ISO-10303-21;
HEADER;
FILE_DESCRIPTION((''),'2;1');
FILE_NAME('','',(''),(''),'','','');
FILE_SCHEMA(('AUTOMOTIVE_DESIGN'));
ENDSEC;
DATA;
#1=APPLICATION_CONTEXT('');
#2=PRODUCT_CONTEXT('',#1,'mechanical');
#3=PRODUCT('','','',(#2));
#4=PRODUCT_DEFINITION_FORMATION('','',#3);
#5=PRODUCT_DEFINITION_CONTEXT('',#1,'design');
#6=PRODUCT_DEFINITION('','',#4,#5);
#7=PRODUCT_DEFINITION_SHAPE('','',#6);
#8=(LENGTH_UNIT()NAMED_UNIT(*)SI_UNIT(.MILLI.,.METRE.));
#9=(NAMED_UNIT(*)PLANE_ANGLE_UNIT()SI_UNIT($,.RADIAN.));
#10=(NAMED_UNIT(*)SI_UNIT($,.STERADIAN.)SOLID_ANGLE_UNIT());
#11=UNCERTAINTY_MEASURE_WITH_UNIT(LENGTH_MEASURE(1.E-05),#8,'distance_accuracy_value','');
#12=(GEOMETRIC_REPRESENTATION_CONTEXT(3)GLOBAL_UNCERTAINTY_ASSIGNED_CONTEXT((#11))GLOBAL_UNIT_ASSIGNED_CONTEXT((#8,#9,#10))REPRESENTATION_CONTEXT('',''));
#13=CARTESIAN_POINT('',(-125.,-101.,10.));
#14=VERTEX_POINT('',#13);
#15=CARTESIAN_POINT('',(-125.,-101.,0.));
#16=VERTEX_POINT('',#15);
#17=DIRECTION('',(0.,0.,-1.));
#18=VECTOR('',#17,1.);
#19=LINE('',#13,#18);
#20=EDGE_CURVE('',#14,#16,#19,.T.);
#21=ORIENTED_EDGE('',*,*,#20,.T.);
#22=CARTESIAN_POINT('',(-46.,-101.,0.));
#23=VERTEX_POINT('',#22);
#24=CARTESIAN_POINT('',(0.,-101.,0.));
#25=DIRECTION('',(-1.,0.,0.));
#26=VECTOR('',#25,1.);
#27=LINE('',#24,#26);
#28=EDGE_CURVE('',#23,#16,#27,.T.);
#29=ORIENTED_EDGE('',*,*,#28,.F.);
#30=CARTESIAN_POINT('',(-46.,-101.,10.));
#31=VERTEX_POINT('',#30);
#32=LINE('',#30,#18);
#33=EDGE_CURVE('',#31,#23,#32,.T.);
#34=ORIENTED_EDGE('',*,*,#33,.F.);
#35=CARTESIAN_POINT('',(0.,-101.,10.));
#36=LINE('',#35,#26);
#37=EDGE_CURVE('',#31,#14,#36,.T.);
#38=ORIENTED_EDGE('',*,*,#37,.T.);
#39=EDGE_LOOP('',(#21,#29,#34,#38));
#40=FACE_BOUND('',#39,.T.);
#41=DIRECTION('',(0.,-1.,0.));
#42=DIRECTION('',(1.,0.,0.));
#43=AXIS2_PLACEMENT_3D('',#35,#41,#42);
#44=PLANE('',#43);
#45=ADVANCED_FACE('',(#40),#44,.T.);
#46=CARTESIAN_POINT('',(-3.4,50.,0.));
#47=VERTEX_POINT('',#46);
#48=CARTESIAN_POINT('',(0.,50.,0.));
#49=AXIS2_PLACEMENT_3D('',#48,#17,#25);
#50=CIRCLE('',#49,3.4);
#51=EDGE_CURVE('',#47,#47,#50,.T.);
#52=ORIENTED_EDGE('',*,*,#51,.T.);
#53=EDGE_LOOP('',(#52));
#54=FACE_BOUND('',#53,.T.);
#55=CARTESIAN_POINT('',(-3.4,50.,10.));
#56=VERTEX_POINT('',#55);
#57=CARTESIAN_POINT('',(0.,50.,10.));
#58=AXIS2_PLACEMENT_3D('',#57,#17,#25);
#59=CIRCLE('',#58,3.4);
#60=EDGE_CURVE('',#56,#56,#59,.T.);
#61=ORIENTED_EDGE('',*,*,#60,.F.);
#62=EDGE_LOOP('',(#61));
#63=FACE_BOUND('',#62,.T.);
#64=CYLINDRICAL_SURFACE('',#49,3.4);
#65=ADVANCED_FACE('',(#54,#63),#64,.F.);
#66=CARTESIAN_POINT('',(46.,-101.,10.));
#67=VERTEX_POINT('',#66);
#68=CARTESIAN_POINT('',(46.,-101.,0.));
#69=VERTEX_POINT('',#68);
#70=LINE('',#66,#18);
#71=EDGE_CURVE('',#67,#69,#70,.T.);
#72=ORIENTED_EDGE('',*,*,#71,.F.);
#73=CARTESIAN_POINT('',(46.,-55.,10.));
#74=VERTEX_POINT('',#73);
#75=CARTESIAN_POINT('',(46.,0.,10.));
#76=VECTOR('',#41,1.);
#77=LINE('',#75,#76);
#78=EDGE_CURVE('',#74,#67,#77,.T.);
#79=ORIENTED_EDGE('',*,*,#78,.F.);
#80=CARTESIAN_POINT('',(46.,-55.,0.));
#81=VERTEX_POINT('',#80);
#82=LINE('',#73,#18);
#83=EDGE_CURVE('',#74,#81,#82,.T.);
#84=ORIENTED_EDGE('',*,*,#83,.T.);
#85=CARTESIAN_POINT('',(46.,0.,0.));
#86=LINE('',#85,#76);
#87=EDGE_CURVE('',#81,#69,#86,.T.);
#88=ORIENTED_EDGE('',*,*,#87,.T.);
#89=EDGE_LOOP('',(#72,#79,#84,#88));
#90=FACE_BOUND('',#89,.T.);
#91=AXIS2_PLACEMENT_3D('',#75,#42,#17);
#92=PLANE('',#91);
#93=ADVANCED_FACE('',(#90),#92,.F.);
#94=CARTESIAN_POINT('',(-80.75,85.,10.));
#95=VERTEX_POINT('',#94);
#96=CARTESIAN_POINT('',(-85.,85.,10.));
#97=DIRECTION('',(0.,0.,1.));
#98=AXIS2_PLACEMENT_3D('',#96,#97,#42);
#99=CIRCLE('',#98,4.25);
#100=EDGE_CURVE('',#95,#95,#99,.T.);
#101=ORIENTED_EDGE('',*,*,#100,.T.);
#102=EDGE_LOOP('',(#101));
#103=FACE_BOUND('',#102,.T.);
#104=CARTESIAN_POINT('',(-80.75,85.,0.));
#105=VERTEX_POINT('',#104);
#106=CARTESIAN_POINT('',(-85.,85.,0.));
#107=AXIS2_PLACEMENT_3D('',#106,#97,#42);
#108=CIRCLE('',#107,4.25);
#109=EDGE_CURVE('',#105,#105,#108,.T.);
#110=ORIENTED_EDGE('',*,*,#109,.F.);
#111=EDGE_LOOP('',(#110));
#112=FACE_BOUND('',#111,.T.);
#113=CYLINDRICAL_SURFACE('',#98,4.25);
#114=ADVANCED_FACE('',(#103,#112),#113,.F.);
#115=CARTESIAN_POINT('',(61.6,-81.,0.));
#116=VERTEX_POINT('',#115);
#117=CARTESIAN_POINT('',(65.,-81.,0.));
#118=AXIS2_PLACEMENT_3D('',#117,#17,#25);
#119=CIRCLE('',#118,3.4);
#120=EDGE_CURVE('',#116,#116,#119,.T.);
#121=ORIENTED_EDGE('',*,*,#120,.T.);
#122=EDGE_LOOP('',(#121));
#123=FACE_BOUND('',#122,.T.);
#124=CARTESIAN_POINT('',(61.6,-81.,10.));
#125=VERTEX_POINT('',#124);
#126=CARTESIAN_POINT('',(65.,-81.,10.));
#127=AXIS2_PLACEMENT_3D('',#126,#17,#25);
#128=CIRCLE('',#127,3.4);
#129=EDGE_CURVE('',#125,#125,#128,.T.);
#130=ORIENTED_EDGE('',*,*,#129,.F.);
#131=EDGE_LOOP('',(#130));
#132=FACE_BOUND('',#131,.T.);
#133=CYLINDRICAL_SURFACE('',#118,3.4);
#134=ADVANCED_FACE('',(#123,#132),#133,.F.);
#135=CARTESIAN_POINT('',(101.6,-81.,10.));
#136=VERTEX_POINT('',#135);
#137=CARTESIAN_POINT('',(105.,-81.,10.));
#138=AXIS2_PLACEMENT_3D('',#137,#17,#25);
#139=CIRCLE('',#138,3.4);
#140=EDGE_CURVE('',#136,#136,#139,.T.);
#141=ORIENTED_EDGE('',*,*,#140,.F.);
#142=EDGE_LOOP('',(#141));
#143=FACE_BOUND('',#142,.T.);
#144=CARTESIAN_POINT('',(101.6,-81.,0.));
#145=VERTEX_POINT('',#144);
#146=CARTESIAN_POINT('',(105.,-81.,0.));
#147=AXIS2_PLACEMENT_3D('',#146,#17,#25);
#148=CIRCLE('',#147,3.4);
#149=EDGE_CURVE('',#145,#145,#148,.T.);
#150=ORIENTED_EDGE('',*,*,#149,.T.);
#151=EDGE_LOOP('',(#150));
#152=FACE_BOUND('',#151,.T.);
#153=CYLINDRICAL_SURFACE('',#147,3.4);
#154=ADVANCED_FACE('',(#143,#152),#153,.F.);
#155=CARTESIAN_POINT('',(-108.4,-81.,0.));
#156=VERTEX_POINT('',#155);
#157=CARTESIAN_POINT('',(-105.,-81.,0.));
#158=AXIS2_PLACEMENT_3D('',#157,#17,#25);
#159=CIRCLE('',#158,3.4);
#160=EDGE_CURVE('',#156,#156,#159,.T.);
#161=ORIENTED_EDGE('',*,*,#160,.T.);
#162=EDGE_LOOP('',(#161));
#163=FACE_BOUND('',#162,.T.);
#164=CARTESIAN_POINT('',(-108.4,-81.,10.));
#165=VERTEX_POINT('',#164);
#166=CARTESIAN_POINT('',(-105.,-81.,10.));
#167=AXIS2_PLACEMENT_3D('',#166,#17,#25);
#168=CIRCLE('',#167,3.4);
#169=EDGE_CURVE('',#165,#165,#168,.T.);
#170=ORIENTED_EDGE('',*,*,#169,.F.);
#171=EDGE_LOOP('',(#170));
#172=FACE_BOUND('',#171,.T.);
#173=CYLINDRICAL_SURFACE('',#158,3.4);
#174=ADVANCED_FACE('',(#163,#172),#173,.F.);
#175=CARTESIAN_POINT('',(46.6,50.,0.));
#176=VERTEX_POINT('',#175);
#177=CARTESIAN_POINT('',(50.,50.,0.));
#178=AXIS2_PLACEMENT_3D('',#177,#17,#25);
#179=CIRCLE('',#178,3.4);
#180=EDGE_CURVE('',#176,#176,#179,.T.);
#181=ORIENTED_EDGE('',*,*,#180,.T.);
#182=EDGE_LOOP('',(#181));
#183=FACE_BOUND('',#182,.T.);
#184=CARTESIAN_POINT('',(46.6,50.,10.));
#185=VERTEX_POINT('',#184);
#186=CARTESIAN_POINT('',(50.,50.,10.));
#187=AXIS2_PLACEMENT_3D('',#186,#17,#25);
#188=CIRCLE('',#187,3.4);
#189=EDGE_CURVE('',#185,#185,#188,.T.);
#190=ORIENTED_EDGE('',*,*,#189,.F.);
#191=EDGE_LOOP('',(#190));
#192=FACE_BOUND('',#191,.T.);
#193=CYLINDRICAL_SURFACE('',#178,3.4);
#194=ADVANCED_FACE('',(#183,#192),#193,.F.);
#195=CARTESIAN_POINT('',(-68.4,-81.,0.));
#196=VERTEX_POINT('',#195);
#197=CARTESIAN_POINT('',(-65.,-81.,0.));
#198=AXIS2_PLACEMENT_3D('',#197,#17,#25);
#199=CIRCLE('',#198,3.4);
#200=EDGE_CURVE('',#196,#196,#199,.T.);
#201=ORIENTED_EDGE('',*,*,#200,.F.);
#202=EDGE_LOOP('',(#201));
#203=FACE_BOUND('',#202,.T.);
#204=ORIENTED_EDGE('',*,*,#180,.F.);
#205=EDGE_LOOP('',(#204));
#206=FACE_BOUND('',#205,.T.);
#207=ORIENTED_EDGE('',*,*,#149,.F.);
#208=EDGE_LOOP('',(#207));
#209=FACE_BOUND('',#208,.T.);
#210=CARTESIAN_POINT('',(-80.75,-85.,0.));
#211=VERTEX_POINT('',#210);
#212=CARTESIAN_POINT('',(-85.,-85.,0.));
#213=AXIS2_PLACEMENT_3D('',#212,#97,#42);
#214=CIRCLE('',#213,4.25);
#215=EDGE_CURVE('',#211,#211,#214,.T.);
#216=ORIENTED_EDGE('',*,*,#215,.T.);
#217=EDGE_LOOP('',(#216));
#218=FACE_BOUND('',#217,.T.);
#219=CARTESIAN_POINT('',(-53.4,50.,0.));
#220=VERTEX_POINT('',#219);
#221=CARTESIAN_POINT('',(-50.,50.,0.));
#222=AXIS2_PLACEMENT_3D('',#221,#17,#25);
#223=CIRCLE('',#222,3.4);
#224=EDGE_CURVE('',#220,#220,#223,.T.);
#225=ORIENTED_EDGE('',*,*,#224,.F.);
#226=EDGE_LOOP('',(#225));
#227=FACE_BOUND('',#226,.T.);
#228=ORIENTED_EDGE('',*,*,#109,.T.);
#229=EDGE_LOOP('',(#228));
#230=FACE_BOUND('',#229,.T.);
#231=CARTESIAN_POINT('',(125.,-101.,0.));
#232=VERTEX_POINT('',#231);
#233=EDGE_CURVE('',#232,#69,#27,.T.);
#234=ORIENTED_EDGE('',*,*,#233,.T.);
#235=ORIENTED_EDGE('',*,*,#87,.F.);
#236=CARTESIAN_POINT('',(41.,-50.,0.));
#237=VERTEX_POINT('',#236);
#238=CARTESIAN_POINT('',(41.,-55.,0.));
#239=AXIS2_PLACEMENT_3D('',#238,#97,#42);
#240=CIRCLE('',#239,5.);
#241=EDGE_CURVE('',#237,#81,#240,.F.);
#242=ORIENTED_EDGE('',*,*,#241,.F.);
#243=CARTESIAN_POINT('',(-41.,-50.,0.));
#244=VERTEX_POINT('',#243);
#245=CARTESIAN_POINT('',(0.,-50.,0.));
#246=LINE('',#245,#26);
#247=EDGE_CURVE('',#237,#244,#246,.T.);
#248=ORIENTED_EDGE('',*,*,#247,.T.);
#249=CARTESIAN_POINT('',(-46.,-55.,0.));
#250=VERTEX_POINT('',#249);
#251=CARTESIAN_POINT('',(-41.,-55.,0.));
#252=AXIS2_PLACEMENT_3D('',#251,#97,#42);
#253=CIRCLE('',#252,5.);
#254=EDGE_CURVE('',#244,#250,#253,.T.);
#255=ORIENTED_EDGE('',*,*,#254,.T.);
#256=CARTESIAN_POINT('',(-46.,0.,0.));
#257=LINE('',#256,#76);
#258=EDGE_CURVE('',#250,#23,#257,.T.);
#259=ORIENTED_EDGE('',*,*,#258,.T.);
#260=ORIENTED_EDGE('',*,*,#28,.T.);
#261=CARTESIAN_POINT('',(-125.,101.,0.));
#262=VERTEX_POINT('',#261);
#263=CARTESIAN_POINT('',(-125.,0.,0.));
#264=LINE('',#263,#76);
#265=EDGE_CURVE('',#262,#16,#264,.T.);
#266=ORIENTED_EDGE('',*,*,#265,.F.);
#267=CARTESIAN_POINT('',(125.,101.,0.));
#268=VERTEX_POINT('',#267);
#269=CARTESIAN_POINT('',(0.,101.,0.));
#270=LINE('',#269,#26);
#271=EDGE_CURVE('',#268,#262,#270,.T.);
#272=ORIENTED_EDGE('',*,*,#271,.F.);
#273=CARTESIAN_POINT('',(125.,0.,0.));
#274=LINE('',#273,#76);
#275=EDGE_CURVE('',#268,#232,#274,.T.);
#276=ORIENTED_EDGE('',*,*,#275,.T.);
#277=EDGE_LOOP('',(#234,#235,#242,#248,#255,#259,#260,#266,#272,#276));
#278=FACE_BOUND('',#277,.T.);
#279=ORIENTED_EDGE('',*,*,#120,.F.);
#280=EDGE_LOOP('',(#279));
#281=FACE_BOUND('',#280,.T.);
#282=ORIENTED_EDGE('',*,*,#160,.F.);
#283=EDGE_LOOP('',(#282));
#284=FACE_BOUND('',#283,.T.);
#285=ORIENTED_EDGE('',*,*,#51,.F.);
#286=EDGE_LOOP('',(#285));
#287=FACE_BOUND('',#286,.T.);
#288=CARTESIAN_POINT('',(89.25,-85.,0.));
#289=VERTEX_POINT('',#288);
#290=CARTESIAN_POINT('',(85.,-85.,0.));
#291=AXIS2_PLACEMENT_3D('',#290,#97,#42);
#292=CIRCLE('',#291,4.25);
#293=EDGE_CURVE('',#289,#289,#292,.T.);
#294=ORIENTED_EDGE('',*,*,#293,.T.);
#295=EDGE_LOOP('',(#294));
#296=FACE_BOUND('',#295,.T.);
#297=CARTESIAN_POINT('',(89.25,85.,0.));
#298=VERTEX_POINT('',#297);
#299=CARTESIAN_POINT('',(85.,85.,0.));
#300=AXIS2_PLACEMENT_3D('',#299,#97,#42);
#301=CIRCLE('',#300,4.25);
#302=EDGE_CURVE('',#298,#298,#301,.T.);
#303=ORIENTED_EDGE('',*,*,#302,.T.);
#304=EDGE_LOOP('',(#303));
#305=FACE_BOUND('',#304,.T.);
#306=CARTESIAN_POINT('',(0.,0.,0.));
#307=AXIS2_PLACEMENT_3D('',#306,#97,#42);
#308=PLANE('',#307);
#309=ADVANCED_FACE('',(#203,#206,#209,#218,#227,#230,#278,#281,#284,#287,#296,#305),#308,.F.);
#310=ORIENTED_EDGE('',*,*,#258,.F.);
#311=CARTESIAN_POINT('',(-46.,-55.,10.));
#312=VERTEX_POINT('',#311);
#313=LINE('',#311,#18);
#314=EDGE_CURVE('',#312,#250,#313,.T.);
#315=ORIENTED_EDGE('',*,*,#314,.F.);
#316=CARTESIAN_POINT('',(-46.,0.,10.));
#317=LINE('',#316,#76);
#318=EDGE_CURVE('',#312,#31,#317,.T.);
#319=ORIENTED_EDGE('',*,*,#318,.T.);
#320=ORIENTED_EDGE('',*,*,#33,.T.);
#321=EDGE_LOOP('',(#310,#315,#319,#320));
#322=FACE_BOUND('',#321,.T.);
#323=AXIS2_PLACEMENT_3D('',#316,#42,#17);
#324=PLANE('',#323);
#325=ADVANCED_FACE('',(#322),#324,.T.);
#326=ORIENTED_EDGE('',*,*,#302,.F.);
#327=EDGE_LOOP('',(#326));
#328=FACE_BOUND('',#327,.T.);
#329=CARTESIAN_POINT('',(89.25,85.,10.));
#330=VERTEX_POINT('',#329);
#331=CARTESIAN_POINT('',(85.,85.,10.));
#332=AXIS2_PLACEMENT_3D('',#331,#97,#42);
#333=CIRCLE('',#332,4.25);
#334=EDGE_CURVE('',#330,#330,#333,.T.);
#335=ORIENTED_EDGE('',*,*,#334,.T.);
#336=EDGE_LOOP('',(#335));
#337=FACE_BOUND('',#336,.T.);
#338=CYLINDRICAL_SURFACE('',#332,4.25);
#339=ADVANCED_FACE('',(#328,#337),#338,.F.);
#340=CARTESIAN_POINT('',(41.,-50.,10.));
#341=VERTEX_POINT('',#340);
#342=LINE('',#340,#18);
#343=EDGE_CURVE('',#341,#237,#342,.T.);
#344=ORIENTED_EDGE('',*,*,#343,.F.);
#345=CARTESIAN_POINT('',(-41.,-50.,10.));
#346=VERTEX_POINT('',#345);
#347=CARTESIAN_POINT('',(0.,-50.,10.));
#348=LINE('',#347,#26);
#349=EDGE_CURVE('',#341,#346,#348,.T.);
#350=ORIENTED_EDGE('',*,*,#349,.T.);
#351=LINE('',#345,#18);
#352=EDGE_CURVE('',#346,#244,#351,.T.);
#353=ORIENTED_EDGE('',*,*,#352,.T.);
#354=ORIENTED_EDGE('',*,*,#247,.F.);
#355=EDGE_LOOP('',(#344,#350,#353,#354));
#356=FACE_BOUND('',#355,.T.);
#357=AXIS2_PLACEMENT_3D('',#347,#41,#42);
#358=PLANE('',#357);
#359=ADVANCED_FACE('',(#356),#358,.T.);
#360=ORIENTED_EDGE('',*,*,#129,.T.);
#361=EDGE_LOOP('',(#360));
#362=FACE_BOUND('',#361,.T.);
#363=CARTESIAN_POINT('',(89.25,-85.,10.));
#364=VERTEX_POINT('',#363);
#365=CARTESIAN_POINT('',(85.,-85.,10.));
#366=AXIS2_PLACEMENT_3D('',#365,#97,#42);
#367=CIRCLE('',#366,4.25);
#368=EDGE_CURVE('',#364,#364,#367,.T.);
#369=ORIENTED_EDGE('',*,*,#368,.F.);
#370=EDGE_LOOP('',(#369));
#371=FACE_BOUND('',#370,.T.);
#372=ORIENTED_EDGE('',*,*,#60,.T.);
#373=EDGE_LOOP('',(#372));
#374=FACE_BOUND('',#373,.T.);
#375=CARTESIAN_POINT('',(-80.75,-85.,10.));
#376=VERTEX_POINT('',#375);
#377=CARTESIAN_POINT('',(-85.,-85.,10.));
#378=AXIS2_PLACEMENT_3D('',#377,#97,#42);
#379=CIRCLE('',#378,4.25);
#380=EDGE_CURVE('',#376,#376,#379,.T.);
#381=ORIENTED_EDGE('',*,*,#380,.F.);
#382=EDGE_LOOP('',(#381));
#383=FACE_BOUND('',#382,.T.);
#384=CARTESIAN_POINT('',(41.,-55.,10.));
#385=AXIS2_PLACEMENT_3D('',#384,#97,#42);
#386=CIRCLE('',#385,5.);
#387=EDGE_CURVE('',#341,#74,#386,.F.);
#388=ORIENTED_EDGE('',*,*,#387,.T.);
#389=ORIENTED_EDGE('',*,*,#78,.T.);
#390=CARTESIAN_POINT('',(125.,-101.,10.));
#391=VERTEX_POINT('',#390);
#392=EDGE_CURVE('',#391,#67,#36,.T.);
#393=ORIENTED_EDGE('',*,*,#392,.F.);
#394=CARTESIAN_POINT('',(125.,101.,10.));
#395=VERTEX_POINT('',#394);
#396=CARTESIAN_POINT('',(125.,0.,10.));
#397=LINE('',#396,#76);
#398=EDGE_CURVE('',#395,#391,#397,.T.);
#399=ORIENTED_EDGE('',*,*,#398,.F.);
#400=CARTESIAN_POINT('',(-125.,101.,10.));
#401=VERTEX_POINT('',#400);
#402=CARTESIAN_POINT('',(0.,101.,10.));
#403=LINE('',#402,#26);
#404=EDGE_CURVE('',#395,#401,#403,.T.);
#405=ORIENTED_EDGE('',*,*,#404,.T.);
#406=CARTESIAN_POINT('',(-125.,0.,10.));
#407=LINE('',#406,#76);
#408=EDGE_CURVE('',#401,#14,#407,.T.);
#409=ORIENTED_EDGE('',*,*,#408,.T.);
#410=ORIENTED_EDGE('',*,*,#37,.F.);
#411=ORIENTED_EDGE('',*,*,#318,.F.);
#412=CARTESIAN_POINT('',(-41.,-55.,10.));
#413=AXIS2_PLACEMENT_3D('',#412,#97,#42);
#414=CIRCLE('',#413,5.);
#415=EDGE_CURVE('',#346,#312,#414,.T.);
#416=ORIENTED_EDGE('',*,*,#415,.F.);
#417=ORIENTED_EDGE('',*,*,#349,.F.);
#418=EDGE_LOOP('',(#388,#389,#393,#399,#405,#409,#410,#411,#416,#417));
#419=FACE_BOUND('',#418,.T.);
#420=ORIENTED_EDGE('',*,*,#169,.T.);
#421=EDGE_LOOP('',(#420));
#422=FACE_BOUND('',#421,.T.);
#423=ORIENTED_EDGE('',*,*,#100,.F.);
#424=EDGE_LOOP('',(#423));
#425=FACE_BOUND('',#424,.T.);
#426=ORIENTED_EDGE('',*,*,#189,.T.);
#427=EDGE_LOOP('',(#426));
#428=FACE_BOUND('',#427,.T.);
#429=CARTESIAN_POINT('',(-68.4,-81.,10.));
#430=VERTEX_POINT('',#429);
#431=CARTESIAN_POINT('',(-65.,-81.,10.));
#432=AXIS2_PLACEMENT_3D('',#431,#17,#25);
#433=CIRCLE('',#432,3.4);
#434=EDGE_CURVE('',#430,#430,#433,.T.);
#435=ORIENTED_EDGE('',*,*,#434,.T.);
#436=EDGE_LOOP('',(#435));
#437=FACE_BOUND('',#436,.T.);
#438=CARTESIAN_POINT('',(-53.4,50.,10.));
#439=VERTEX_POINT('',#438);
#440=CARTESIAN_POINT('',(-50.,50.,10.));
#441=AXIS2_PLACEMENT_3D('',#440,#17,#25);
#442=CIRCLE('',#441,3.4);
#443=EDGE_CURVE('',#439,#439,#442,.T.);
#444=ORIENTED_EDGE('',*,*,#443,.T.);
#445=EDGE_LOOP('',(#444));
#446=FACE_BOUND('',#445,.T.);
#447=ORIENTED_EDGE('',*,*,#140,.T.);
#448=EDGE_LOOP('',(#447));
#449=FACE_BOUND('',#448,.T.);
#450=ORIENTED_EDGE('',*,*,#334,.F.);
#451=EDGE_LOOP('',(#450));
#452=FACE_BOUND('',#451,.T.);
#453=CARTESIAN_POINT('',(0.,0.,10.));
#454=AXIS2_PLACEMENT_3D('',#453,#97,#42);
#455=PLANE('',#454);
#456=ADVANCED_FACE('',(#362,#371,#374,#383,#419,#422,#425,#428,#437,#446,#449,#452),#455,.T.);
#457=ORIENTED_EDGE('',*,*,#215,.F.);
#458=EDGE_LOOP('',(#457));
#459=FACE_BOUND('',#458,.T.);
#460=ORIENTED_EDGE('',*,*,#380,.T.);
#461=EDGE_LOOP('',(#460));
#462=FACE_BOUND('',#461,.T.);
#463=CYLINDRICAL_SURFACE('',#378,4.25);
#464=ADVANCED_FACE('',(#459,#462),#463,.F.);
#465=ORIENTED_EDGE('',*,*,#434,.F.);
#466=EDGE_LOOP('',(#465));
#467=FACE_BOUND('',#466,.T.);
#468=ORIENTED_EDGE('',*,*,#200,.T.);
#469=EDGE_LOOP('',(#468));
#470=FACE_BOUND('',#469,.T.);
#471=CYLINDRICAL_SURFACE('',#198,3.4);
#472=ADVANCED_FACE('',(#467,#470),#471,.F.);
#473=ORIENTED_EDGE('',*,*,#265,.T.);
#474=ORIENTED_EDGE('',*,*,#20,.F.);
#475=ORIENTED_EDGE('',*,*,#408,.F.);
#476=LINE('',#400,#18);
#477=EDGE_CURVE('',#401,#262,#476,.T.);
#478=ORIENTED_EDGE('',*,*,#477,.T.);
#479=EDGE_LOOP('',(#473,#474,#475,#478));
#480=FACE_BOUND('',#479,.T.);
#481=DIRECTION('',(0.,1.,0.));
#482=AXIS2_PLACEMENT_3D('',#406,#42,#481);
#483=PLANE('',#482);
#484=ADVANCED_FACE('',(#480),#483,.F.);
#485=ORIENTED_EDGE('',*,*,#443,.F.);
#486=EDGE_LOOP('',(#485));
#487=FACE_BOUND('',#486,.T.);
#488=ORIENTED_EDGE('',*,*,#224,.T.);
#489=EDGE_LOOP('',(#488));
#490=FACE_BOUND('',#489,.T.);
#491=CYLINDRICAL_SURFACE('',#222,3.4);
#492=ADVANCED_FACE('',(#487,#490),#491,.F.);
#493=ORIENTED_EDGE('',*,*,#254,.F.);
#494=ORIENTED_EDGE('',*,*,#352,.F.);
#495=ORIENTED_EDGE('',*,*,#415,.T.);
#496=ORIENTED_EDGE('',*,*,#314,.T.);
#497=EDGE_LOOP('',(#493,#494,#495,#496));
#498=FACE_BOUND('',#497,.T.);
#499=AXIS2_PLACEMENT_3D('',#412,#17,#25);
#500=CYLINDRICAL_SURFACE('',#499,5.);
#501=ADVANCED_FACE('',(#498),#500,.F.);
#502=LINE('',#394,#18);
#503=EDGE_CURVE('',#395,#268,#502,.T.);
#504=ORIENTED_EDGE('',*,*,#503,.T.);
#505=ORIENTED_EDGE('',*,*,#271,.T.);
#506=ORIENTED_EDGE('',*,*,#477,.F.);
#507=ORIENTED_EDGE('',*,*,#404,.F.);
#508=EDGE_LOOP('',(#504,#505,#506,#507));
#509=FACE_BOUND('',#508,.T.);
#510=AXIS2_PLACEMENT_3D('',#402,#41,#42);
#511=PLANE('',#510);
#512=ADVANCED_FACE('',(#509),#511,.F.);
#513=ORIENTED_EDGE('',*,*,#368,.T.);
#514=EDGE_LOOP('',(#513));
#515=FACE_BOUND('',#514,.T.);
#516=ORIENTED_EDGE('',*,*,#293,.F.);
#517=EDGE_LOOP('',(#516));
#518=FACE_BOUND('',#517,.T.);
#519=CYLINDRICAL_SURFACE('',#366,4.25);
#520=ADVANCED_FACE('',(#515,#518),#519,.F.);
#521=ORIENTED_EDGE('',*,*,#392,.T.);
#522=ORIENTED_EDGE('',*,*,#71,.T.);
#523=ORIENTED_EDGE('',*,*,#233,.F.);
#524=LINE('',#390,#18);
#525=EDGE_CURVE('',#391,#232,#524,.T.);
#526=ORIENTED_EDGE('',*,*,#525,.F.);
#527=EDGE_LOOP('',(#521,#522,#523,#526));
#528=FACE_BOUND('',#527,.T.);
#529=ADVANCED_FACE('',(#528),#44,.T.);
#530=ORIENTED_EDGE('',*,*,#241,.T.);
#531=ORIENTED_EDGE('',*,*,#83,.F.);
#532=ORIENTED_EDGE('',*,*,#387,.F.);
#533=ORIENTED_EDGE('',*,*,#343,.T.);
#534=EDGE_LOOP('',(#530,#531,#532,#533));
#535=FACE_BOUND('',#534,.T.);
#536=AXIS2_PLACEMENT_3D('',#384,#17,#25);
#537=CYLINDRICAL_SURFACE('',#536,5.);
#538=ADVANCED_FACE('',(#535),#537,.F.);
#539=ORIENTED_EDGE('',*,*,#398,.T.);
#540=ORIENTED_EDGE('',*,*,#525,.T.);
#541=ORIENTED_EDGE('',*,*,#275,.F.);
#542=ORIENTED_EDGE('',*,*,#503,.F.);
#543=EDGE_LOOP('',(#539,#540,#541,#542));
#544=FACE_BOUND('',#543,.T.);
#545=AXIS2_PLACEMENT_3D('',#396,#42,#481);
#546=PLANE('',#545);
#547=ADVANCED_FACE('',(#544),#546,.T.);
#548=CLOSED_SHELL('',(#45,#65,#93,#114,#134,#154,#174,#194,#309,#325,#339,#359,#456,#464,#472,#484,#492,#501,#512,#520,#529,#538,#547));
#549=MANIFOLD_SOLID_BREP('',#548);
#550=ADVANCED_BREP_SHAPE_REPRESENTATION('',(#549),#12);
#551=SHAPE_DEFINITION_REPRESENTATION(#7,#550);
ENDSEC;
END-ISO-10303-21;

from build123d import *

# Parameters (mm, degrees)
SKETCH_1_R          = 4
EXTRUDE_1_DEPTH     = 10
HOLE_WIZARD_M10_1_D = 8.5
HOLE_WIZARD_M8_1_D  = 6.8


with BuildPart() as part:
    # 草图1 → 凸台-拉伸1 (new body)
    with BuildSketch(Plane.XY):
        with BuildLine():
            Line((125, -101), (125, 101))
            Line((125, 101), (-125, 101))
            Line((-125, 101), (-125, -101))
            Line((-125, -101), (-46, -101))
            Line((-46, -101), (-46, -55))
            ThreePointArc((-46, -55), (-44.535533906, -51.464466094), (-41, -50))
            Line((-41, -50), (41, -50))
            ThreePointArc((41, -50), (44.535533906, -51.464466094), (46, -55))
            Line((46, -55), (46, -101))
            Line((46, -101), (125, -101))
        make_face()
        with Locations((-85, -85)):
            Circle(SKETCH_1_R, mode=Mode.SUBTRACT)
        with Locations((85, -85)):
            Circle(SKETCH_1_R, mode=Mode.SUBTRACT)
        with Locations((-85, 85)):
            Circle(SKETCH_1_R, mode=Mode.SUBTRACT)
        with Locations((85, 85)):
            Circle(SKETCH_1_R, mode=Mode.SUBTRACT)
    extrude(amount=EXTRUDE_1_DEPTH)

    # M10 螺纹孔1 (through all)
    with Locations(Plane.XY.offset(10)):
        with Locations((85, -85), (-85, -85), (-85, 85), (85, 85)):
            Hole(HOLE_WIZARD_M10_1_D / 2)

    # M8 螺纹孔1 (through all)
    with Locations(Plane(origin=(0, 0, 0), x_dir=(-1, 0, 0), z_dir=(0, 0, -1))):
        with Locations((-50, 50), (0, 50), (50, 50), (-105, -81), (-65, -81), (65, -81), (105, -81)):
            Hole(HOLE_WIZARD_M8_1_D / 2)


solid = part.part
